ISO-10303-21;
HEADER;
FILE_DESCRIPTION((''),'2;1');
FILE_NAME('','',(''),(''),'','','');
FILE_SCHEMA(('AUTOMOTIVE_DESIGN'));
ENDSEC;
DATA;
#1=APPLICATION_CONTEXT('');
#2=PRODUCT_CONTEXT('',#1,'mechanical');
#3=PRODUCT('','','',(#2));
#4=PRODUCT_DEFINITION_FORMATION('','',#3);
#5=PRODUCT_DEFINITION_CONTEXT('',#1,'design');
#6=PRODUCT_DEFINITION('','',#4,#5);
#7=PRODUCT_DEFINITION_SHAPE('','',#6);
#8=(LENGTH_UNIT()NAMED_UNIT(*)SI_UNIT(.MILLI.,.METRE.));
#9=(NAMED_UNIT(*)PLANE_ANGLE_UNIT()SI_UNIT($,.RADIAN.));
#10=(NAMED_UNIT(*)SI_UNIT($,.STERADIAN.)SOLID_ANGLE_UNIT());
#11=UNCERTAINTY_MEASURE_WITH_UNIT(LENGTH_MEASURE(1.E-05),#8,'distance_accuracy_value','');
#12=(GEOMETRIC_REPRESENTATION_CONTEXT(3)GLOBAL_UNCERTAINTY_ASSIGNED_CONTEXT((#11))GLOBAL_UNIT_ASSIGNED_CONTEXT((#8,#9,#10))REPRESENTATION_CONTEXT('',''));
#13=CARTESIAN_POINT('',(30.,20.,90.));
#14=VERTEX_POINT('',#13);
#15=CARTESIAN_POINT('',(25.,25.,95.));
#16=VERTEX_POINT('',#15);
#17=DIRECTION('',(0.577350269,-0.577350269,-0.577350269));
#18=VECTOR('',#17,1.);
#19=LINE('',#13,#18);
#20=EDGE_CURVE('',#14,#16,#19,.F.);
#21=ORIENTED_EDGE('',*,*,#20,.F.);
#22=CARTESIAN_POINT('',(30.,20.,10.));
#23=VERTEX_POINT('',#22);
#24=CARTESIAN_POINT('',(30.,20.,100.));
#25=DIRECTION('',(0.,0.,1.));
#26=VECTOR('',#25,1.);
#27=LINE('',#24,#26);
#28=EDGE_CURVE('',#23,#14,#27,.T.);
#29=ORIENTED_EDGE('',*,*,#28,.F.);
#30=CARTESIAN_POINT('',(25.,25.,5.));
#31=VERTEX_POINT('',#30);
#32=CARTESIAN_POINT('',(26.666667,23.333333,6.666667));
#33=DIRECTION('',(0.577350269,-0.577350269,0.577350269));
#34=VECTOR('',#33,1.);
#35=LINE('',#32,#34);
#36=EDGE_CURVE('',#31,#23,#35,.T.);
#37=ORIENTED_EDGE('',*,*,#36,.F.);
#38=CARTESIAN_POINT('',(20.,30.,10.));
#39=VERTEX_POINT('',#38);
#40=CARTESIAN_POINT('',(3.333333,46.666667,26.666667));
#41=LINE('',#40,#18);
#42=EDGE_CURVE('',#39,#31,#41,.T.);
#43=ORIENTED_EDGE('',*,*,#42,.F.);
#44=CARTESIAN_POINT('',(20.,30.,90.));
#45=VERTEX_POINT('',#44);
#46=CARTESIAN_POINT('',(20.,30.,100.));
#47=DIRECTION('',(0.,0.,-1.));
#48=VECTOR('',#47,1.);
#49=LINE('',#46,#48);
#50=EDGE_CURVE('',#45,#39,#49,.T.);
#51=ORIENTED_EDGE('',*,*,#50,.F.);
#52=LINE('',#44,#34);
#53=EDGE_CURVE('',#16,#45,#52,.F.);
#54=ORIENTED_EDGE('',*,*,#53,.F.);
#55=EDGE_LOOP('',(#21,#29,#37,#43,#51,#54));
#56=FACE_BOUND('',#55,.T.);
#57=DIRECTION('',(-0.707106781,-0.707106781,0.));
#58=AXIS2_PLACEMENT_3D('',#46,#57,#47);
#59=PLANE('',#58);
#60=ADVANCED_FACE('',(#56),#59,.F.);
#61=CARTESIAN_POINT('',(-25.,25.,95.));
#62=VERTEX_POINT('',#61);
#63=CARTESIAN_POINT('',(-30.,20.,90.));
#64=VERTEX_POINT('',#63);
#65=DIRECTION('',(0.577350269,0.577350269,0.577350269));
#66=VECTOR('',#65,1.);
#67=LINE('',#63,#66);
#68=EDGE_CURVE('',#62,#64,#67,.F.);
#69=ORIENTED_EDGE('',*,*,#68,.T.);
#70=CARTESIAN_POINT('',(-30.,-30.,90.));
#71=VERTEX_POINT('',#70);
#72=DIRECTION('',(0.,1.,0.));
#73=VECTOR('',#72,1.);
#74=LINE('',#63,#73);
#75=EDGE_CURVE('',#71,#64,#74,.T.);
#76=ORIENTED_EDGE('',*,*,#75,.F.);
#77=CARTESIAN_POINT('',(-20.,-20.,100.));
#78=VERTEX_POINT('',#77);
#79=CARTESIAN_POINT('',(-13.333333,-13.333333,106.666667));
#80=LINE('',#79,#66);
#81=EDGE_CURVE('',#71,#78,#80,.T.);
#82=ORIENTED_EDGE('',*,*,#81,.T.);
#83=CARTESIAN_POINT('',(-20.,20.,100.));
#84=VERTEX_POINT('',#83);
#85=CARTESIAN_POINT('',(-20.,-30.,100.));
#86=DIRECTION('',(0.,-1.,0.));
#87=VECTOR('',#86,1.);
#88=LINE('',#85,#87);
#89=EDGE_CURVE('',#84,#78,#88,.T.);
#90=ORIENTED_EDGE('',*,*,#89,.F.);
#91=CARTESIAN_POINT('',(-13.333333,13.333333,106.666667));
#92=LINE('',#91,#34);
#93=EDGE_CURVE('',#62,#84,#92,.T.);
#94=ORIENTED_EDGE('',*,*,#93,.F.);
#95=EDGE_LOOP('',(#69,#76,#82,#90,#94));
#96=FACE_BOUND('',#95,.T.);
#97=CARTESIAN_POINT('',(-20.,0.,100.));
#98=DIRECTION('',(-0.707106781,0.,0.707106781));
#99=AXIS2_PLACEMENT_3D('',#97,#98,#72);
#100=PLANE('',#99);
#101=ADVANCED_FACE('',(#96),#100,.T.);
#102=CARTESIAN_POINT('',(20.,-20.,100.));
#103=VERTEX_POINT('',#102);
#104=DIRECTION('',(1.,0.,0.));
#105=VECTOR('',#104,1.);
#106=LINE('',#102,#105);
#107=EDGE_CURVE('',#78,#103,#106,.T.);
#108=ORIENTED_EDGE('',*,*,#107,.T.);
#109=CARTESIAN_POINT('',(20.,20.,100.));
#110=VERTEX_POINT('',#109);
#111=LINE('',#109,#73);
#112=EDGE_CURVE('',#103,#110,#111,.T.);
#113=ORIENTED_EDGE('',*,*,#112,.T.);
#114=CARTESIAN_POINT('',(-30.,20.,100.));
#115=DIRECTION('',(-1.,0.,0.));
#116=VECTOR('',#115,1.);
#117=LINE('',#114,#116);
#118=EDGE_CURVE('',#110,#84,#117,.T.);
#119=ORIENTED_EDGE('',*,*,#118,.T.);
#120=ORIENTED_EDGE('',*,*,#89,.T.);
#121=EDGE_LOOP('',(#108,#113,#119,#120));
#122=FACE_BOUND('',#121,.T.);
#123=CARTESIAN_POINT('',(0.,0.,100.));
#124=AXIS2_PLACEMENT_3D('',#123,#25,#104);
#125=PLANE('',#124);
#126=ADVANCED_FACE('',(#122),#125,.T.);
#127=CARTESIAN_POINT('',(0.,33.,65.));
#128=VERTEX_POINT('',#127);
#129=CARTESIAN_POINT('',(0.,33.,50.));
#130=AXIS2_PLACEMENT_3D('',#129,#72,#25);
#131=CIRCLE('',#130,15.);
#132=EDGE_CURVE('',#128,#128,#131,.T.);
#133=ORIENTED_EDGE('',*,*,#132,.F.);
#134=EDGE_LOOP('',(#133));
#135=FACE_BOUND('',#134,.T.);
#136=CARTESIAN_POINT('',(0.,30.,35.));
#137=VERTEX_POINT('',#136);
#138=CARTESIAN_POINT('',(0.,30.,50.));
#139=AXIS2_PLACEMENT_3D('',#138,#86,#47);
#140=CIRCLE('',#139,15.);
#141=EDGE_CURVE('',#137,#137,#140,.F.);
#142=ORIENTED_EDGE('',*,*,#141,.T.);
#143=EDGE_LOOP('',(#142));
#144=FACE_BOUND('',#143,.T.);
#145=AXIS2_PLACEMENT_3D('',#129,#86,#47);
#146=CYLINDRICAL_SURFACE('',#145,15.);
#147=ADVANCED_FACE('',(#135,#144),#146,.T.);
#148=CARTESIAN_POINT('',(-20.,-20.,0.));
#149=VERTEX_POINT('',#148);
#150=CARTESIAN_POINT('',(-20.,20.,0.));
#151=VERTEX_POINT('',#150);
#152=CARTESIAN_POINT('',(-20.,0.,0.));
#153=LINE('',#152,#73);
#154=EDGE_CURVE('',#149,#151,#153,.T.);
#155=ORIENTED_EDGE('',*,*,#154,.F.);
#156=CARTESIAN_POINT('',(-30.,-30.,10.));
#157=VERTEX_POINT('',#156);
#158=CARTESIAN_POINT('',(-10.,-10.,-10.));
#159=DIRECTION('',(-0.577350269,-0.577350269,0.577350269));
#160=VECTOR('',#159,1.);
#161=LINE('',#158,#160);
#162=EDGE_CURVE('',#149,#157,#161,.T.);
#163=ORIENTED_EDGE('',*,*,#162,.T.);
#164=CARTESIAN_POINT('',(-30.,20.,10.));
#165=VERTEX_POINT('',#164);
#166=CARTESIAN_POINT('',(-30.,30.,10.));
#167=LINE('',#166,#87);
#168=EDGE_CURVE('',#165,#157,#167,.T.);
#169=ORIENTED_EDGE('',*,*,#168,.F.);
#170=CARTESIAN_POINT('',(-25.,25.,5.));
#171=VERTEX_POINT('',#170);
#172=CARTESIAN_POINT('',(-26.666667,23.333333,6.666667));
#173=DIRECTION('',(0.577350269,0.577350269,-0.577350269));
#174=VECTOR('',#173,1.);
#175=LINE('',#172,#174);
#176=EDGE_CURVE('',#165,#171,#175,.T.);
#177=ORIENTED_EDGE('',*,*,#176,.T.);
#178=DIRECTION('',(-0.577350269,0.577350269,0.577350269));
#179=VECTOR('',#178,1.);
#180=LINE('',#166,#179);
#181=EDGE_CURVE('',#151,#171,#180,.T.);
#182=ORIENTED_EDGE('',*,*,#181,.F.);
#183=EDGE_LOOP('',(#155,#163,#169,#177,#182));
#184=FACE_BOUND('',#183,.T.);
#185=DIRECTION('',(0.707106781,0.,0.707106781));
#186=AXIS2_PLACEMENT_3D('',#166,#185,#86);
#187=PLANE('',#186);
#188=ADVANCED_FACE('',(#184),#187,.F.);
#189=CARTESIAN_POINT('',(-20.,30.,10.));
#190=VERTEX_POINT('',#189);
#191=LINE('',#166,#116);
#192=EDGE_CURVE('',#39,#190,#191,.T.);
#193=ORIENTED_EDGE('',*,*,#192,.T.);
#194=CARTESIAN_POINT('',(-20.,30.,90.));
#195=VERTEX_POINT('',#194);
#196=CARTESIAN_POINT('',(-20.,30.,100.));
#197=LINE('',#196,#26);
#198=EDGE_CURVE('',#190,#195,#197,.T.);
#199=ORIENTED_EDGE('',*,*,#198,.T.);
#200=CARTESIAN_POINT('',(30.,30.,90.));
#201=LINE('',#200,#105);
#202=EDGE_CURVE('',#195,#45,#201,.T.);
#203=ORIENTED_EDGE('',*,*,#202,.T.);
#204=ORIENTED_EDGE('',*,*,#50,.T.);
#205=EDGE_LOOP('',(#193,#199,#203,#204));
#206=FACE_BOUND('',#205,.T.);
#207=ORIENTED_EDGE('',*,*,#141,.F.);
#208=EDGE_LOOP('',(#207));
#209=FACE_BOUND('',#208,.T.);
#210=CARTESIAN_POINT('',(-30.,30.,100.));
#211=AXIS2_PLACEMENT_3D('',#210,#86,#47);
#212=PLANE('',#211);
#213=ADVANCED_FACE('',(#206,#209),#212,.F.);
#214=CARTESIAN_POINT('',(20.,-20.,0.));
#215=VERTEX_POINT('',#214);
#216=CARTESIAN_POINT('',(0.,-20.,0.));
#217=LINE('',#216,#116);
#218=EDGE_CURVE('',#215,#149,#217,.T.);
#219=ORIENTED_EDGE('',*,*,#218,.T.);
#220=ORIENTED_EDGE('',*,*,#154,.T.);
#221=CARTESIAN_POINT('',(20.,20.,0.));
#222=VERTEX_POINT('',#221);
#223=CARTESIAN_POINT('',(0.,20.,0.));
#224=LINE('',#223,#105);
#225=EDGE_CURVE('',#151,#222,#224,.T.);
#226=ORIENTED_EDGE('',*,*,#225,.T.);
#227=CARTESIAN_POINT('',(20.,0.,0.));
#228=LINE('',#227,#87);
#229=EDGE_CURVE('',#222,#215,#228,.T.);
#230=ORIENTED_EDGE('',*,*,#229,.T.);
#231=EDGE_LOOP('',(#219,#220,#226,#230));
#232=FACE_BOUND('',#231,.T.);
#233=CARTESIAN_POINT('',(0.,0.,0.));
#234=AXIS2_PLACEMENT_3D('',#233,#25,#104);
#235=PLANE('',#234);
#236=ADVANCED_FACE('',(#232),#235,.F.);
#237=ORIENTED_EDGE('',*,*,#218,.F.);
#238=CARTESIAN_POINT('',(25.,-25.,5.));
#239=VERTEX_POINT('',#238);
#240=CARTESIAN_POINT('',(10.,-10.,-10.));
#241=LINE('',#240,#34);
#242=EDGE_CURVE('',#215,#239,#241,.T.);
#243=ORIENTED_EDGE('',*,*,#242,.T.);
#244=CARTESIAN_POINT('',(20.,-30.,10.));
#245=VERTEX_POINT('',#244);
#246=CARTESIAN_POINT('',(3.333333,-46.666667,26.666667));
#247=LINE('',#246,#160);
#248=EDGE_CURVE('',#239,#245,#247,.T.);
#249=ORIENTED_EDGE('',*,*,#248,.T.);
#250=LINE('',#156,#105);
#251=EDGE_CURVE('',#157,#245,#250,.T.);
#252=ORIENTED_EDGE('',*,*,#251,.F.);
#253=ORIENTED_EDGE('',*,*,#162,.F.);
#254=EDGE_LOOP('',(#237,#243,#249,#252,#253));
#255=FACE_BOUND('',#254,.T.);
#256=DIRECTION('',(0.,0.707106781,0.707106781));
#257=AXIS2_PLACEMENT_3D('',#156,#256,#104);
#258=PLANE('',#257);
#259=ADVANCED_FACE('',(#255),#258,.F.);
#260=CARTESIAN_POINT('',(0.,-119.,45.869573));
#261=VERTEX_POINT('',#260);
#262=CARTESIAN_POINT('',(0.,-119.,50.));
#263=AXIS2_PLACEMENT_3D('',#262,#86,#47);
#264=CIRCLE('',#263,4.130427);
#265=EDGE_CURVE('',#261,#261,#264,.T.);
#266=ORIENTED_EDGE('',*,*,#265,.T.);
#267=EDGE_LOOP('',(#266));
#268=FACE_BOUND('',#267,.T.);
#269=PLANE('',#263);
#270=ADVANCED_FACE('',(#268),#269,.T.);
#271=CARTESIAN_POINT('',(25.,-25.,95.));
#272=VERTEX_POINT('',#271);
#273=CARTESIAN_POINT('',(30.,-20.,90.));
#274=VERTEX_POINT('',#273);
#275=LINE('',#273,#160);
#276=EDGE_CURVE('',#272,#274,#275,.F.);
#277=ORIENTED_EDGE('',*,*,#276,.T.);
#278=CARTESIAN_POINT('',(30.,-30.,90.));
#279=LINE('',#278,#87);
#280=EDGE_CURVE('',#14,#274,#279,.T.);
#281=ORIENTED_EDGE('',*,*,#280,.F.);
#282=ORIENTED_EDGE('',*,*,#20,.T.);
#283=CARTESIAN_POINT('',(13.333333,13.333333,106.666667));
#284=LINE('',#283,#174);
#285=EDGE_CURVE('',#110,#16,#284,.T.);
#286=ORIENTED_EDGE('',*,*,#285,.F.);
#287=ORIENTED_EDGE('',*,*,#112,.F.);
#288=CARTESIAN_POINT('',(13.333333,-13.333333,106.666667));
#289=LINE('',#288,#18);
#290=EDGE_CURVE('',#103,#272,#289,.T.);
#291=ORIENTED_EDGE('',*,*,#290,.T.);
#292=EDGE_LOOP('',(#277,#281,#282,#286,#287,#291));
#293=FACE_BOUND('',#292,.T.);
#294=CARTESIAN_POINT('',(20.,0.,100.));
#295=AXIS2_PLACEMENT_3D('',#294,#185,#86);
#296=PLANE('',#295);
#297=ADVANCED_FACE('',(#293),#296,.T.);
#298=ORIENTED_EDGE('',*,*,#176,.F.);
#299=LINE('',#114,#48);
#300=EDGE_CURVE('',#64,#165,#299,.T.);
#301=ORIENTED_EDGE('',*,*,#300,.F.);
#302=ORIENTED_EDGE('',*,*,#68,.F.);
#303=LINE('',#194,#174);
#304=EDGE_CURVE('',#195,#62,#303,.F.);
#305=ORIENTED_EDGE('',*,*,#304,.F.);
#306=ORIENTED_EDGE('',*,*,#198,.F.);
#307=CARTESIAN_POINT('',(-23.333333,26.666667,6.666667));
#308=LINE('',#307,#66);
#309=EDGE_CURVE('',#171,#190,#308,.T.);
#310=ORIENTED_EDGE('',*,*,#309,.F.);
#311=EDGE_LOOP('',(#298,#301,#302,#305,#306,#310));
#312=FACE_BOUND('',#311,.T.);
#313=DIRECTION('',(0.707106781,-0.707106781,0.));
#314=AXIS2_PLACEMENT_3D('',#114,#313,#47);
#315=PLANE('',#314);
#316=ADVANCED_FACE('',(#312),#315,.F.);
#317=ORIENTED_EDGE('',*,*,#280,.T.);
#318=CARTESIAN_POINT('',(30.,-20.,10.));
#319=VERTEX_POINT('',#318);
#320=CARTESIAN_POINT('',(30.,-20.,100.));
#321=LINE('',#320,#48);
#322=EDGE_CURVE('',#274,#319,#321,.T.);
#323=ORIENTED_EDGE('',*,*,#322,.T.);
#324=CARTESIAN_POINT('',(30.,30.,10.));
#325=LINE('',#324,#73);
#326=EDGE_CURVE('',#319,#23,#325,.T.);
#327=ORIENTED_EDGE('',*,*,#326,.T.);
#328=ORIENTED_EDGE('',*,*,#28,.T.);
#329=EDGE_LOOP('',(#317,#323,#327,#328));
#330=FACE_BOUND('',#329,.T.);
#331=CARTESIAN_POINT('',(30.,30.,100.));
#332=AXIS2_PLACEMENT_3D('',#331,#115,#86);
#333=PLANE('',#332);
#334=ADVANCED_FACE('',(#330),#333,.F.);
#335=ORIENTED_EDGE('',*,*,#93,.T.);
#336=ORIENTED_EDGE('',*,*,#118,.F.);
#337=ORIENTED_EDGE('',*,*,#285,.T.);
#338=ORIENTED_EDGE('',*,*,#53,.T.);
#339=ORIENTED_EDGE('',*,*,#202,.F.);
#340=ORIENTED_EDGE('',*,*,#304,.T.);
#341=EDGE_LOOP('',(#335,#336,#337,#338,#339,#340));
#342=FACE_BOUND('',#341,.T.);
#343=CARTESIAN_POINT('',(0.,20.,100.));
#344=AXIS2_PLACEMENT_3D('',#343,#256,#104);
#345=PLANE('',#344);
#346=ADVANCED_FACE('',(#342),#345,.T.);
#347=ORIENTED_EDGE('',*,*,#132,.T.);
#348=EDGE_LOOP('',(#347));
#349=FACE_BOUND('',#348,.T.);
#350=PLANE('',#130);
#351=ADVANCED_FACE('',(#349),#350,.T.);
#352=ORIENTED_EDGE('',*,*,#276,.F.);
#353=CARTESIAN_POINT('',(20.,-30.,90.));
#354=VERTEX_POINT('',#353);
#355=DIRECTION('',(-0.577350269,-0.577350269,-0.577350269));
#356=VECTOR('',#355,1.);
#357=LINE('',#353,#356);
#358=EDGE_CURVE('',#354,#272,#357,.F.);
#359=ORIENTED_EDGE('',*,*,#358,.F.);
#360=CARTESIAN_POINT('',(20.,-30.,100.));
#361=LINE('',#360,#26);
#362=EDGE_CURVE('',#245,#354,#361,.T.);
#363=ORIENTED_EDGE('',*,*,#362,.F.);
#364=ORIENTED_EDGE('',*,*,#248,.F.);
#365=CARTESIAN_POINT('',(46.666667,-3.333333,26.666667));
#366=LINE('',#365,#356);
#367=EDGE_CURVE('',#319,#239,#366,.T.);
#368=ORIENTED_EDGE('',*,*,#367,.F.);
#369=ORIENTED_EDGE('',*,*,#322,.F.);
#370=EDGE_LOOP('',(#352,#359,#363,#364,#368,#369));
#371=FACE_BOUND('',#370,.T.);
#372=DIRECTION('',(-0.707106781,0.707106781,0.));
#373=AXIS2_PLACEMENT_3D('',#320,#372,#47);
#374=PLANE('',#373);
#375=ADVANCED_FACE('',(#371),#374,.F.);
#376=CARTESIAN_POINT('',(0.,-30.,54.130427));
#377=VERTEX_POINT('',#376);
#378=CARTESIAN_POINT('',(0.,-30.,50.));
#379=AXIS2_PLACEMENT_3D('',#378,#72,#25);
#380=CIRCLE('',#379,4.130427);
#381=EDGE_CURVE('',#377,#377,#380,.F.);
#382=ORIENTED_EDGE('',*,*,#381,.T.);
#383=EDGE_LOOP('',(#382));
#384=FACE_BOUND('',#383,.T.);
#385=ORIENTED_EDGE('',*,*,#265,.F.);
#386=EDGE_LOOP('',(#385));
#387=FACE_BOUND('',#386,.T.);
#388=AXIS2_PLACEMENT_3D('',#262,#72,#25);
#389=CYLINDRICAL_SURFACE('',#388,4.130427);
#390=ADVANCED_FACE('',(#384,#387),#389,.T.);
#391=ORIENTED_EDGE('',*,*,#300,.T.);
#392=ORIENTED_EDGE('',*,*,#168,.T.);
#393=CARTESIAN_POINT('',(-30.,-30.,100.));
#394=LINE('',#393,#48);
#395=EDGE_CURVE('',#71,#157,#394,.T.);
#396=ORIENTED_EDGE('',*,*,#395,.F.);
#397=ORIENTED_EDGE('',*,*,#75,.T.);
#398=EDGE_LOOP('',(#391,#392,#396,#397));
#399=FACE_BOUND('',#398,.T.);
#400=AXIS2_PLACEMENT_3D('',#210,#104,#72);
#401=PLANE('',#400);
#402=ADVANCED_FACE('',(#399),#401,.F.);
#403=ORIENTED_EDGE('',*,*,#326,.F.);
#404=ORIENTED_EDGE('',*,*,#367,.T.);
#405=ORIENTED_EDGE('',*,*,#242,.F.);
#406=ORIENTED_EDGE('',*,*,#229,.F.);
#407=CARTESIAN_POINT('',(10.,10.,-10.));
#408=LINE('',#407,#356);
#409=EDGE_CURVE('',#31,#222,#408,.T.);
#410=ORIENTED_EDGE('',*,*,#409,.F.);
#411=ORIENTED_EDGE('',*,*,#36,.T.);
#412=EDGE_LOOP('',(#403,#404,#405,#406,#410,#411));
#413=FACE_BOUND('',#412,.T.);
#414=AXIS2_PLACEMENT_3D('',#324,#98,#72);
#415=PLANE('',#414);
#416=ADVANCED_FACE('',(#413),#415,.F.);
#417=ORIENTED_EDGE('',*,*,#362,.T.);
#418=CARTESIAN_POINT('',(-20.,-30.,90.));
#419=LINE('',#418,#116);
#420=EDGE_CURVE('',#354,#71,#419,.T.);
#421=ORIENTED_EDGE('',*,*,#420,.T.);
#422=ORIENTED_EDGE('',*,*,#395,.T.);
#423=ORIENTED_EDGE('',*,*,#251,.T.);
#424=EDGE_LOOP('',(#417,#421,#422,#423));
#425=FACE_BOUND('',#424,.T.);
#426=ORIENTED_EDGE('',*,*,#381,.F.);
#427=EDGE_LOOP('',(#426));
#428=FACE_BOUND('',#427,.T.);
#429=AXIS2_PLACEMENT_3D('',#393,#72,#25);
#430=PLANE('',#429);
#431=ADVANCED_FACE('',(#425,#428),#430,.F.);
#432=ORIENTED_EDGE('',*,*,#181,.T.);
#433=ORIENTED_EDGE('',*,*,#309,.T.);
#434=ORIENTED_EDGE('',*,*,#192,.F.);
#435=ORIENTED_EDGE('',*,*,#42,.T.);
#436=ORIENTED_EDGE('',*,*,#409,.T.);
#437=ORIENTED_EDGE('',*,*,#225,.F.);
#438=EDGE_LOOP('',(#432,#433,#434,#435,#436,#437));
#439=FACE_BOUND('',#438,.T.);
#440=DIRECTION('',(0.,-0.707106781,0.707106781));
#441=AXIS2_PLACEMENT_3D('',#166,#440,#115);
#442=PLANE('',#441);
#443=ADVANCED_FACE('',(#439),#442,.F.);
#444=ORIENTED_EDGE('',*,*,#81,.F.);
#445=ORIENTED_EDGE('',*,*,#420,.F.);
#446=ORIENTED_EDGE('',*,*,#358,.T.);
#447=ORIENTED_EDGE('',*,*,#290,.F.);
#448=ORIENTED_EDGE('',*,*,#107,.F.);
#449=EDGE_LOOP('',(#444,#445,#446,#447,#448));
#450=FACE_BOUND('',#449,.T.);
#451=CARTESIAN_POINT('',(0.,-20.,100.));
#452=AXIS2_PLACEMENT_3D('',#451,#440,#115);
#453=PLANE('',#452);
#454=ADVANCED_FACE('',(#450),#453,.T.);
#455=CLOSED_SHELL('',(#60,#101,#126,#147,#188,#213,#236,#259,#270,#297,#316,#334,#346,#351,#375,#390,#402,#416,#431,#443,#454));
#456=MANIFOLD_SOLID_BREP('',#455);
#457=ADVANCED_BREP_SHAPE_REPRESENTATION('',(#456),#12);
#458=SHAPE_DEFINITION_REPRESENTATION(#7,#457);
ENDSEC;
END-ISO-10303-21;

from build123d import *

# Parameters (mm, degrees)
SKETCH_1_W      = 60
SKETCH_1_H      = 60
EXTRUDE_1_DEPTH = 100
CHAMFER_1_SIZE  = 10
CHAMFER_2_SIZE  = 10
CHAMFER_3_SIZE  = 10
CHAMFER_4_SIZE  = 10
CHAMFER_5_SIZE  = 10
CHAMFER_6_SIZE  = 10
CHAMFER_7_SIZE  = 10
CHAMFER_8_SIZE  = 10
SKETCH_4_R      = 15
EXTRUDE_2_DEPTH = 3
SKETCH_5_R      = 4.130427407
EXTRUDE_3_DEPTH = 89
CHAMFER_9_SIZE  = 10
CHAMFER_10_SIZE = 10
CHAMFER_11_SIZE = 10


with BuildPart() as part:
    # 草图1 → 凸台-拉伸1 (new body)
    with BuildSketch(Plane.XY):
        Rectangle(SKETCH_1_W, SKETCH_1_H)
    extrude(amount=EXTRUDE_1_DEPTH)

    # 倒角1
    chamfer_1_edges = [part.edges().sort_by_distance(p)[0] for p in [
        (0, 30, 0),
    ]]
    chamfer(chamfer_1_edges, length=CHAMFER_1_SIZE)

    # 倒角2
    chamfer_2_edges = [part.edges().sort_by_distance(p)[0] for p in [
        (-30, -5, 0),
    ]]
    chamfer(chamfer_2_edges, length=CHAMFER_2_SIZE)

    # 倒角3
    chamfer_3_edges = [part.edges().sort_by_distance(p)[0] for p in [
        (5, -30, 0),
    ]]
    chamfer(chamfer_3_edges, length=CHAMFER_3_SIZE)

    # 倒角4
    chamfer_4_edges = [part.edges().sort_by_distance(p)[0] for p in [
        (30, 0, 0),
    ]]
    chamfer(chamfer_4_edges, length=CHAMFER_4_SIZE)

    # 倒角5
    chamfer_5_edges = [part.edges().sort_by_distance(p)[0] for p in [
        (0, 30, 100),
    ]]
    chamfer(chamfer_5_edges, length=CHAMFER_5_SIZE)

    # 倒角6
    chamfer_6_edges = [part.edges().sort_by_distance(p)[0] for p in [
        (30, -5, 100),
    ]]
    chamfer(chamfer_6_edges, length=CHAMFER_6_SIZE)

    # 倒角7
    chamfer_7_edges = [part.edges().sort_by_distance(p)[0] for p in [
        (-30, -5, 100),
    ]]
    chamfer(chamfer_7_edges, length=CHAMFER_7_SIZE)

    # 倒角8
    chamfer_8_edges = [part.edges().sort_by_distance(p)[0] for p in [
        (0, -30, 100),
    ]]
    chamfer(chamfer_8_edges, length=CHAMFER_8_SIZE)

    # 草图4 → 凸台-拉伸2 (add)
    with BuildSketch(Plane(origin=(0, 30, 0), x_dir=(1, 0, 0), z_dir=(0, 1, 0))):
        with Locations(Location((0, -50, 0), (0, 0, 90))):  # turned: the seam where the file's is
            Circle(SKETCH_4_R)
    extrude(amount=EXTRUDE_2_DEPTH)

    # 草图5 → 凸台-拉伸3 (add)
    with BuildSketch(Plane.XZ.offset(30)):
        with Locations(Location((0, 50, 0), (0, 0, 90))):  # turned: the seam where the file's is
            Circle(SKETCH_5_R)
    extrude(amount=EXTRUDE_3_DEPTH)

    # 倒角9
    chamfer_9_edges = [part.edges().sort_by_distance(p)[0] for p in [
        (30, 30, 50),
    ]]
    chamfer(chamfer_9_edges, length=CHAMFER_9_SIZE)

    # 倒角10
    chamfer_10_edges = [part.edges().sort_by_distance(p)[0] for p in [
        (-30, 30, 50),
    ]]
    chamfer(chamfer_10_edges, length=CHAMFER_10_SIZE)

    # 倒角11
    chamfer_11_edges = [part.edges().sort_by_distance(p)[0] for p in [
        (30, -30, 50),
    ]]
    chamfer(chamfer_11_edges, length=CHAMFER_11_SIZE)


solid = part.part
